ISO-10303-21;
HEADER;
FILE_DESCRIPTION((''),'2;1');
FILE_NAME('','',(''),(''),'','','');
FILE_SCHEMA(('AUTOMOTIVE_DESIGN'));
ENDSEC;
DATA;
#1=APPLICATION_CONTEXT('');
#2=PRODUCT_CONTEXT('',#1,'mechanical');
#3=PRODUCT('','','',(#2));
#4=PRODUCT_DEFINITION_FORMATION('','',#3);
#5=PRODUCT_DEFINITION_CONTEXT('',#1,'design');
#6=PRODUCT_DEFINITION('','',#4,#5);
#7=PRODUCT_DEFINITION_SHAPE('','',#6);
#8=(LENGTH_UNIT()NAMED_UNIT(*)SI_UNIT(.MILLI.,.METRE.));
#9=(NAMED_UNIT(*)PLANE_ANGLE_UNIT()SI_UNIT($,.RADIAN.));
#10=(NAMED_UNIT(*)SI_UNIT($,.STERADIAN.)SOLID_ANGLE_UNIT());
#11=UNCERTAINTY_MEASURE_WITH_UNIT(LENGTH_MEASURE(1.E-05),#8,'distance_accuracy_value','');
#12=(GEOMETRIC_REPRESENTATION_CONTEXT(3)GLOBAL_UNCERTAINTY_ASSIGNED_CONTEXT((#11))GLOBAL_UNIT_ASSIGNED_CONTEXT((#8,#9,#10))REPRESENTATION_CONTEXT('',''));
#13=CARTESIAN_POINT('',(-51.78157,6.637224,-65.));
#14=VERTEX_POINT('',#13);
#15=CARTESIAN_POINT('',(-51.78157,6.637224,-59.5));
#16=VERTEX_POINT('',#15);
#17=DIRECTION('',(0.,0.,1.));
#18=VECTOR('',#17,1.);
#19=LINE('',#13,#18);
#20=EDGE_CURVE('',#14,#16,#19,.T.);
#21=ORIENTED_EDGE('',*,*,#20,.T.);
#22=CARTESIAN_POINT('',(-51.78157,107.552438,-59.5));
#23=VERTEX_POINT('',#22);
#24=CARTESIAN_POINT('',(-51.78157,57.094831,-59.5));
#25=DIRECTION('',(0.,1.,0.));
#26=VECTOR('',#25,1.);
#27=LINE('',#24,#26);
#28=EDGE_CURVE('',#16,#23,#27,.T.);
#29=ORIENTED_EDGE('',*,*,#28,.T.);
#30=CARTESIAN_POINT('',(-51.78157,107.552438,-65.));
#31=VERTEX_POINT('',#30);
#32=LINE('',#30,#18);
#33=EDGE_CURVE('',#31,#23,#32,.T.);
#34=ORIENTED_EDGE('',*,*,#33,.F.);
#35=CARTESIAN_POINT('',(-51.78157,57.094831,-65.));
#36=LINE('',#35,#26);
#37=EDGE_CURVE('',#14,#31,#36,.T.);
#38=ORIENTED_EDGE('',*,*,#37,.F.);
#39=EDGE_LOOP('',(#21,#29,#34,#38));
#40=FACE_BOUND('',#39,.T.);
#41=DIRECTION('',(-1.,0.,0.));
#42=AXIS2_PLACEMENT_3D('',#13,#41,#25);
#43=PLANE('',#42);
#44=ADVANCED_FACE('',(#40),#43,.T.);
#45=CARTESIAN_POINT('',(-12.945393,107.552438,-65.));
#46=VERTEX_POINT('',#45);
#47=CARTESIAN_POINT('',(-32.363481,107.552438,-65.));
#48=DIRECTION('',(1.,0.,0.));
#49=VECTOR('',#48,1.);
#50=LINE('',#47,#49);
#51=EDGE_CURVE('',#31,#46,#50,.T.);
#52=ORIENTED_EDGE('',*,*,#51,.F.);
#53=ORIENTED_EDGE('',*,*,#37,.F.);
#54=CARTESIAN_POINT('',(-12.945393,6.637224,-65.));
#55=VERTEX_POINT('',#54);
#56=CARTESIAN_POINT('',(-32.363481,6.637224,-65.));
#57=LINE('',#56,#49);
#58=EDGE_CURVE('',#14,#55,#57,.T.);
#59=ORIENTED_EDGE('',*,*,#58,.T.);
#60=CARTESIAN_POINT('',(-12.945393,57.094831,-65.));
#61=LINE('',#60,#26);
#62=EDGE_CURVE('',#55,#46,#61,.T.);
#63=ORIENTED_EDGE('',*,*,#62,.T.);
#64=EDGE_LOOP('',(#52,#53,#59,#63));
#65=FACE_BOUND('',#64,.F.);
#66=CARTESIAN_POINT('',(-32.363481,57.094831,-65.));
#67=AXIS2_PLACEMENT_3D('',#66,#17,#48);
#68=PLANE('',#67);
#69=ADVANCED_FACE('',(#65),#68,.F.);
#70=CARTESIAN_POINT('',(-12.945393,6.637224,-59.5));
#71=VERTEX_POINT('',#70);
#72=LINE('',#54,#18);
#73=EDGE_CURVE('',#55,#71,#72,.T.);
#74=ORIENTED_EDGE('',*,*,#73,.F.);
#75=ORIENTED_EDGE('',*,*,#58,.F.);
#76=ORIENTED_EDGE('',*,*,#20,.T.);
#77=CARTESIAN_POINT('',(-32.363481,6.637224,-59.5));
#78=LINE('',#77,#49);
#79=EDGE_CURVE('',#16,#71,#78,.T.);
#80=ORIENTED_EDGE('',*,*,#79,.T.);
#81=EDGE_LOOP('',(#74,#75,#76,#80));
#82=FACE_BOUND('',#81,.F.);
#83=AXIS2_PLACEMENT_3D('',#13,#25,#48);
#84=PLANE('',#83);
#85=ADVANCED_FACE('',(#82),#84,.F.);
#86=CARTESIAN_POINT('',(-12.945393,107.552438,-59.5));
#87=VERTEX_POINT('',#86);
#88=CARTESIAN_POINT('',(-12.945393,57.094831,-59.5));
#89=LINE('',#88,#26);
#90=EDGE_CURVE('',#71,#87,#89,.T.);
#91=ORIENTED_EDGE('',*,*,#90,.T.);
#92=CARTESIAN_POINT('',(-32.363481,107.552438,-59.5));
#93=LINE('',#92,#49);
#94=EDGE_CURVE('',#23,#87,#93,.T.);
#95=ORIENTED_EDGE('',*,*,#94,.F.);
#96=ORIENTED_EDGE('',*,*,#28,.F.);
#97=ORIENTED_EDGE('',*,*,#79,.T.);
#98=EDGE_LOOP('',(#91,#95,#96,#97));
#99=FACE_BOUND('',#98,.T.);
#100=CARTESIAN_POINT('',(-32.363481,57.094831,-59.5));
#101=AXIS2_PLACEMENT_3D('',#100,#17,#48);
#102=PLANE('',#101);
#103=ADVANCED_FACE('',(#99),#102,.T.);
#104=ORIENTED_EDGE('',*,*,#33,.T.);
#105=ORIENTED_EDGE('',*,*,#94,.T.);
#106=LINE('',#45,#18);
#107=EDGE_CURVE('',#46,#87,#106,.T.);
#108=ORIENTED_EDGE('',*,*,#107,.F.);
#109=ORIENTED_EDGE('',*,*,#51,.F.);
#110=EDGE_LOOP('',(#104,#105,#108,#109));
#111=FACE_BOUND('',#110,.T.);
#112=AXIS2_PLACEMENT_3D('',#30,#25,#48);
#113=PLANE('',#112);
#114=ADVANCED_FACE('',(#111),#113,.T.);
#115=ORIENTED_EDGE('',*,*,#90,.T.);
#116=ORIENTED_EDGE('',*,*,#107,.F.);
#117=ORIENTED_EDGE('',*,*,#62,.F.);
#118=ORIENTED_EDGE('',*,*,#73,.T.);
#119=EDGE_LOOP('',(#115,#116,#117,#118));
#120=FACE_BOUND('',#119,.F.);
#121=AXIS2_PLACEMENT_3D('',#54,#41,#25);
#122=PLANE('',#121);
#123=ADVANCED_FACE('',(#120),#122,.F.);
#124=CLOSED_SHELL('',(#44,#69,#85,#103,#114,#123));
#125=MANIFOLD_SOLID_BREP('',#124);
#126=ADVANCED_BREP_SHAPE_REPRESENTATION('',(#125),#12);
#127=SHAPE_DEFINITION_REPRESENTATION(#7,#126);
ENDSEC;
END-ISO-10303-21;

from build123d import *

# Parameters (mm, degrees)
F1_W     = 38.836177
F1_H     = 100.915215
F2_DEPTH = 5.5


with BuildPart() as f2:
    # F1 (on offset) → F2 (new body)
    with BuildSketch(Plane.XY.offset(-65)):
        with Locations((-32.363481, 57.094831)):
            Rectangle(F1_W, F1_H)
    extrude(amount=F2_DEPTH)


solid = f2.part
